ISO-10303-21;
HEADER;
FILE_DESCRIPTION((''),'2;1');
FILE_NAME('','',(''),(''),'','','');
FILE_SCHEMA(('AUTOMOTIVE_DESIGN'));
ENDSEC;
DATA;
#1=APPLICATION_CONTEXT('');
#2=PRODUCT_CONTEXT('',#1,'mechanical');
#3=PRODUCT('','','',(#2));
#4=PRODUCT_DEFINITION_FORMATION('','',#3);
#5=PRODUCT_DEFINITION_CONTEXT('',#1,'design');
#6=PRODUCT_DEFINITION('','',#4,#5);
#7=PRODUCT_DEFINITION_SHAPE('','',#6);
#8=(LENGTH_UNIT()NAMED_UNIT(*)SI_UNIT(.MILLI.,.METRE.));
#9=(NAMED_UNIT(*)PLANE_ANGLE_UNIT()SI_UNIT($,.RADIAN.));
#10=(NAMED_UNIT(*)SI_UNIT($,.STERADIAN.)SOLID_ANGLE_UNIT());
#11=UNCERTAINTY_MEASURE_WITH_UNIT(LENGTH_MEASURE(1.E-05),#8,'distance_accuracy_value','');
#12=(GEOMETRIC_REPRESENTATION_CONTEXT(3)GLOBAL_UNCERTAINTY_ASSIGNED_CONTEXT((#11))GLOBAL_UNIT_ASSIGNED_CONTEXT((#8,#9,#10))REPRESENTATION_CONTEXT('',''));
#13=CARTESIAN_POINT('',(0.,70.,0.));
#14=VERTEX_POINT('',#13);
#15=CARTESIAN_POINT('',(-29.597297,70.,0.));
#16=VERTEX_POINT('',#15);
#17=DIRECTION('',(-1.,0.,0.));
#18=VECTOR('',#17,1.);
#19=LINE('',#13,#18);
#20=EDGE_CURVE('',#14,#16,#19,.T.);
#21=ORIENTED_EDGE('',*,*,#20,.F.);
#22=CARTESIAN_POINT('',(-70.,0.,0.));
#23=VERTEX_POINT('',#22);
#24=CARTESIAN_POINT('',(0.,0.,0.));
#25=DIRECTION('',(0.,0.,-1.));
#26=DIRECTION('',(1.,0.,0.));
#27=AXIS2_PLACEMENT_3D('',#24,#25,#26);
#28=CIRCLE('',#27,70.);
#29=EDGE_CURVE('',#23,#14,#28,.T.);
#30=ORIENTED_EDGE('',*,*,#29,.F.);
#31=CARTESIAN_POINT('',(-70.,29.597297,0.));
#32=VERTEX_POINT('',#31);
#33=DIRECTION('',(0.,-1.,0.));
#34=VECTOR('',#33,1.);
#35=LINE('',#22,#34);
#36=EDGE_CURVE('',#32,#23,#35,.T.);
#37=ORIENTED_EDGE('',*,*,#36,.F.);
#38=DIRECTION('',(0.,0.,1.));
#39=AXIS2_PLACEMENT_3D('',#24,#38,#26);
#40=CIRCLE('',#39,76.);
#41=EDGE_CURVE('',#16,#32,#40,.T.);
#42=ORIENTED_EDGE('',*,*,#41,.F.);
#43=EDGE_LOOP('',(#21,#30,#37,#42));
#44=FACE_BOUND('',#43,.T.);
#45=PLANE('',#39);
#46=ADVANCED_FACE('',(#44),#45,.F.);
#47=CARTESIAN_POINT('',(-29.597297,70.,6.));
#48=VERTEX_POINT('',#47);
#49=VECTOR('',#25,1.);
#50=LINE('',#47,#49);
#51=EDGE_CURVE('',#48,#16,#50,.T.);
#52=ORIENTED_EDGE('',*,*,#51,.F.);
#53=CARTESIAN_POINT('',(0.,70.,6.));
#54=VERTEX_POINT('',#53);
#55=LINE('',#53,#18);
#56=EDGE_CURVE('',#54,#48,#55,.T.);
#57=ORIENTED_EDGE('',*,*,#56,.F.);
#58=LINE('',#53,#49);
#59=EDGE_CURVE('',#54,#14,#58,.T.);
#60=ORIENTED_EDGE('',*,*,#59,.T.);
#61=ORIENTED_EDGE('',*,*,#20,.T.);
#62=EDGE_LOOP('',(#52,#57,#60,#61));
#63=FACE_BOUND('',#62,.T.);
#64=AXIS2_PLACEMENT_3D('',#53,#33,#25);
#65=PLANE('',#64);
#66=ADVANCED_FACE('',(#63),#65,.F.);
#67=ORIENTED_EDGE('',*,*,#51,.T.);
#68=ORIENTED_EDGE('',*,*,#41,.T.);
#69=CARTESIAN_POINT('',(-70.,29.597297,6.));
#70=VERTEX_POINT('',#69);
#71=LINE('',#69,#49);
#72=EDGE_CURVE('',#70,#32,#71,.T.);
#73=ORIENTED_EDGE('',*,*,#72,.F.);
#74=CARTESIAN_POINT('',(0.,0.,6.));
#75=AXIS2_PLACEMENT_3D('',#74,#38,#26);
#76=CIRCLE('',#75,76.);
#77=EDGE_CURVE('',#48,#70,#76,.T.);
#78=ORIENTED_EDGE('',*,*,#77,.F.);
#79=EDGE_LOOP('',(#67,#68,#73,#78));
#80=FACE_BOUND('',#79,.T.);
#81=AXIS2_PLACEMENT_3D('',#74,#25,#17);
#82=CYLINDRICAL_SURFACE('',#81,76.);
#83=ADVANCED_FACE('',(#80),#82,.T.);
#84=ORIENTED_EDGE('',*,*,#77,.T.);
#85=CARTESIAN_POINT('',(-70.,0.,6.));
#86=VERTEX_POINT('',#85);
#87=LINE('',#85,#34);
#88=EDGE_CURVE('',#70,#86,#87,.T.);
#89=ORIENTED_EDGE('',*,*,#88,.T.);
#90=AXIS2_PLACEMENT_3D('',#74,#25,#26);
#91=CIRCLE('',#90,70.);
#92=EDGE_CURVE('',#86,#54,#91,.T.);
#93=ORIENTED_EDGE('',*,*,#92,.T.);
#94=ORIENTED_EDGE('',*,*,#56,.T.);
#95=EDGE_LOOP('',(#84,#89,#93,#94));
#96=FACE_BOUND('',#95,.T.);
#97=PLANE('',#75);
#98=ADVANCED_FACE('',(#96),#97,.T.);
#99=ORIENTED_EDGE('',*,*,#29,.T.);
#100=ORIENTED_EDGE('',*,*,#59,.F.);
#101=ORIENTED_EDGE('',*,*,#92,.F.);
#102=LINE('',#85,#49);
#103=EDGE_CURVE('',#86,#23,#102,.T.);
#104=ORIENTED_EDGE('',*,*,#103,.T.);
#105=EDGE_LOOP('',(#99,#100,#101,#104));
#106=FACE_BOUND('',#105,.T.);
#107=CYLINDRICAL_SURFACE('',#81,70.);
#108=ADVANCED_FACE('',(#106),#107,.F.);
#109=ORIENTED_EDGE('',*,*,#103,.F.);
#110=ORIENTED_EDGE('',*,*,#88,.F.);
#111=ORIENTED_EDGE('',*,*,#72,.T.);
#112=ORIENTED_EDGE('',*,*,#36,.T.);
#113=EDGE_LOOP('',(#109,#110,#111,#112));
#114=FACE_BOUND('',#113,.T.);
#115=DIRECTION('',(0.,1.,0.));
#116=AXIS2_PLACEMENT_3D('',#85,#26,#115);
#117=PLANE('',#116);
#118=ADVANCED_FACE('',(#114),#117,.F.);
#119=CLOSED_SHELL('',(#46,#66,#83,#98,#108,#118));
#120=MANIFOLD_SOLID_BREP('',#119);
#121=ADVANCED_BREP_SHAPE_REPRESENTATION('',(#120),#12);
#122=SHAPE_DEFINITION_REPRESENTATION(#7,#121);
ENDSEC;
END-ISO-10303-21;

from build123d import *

# Parameters (mm, degrees)
BOSS_EXTRUDE1_DEPTH = 6


with BuildPart() as part:
    # Sketch1 → Boss-Extrude1 (new body)
    with BuildSketch(Plane(origin=(0, 0, 0), x_dir=(0, 1, 0), z_dir=(0, 0, 1))):
        with BuildLine():
            Line((0, 70), (29.597297174, 70))
            ThreePointArc((29.597297174, 70), (53.74011537, 53.74011537), (70, 29.597297174))
            Line((70, 29.597297174), (70, 0))
            ThreePointArc((70, 0), (49.497474683, 49.497474683), (0, 70))
        make_face()
    extrude(amount=BOSS_EXTRUDE1_DEPTH)


solid = part.part
